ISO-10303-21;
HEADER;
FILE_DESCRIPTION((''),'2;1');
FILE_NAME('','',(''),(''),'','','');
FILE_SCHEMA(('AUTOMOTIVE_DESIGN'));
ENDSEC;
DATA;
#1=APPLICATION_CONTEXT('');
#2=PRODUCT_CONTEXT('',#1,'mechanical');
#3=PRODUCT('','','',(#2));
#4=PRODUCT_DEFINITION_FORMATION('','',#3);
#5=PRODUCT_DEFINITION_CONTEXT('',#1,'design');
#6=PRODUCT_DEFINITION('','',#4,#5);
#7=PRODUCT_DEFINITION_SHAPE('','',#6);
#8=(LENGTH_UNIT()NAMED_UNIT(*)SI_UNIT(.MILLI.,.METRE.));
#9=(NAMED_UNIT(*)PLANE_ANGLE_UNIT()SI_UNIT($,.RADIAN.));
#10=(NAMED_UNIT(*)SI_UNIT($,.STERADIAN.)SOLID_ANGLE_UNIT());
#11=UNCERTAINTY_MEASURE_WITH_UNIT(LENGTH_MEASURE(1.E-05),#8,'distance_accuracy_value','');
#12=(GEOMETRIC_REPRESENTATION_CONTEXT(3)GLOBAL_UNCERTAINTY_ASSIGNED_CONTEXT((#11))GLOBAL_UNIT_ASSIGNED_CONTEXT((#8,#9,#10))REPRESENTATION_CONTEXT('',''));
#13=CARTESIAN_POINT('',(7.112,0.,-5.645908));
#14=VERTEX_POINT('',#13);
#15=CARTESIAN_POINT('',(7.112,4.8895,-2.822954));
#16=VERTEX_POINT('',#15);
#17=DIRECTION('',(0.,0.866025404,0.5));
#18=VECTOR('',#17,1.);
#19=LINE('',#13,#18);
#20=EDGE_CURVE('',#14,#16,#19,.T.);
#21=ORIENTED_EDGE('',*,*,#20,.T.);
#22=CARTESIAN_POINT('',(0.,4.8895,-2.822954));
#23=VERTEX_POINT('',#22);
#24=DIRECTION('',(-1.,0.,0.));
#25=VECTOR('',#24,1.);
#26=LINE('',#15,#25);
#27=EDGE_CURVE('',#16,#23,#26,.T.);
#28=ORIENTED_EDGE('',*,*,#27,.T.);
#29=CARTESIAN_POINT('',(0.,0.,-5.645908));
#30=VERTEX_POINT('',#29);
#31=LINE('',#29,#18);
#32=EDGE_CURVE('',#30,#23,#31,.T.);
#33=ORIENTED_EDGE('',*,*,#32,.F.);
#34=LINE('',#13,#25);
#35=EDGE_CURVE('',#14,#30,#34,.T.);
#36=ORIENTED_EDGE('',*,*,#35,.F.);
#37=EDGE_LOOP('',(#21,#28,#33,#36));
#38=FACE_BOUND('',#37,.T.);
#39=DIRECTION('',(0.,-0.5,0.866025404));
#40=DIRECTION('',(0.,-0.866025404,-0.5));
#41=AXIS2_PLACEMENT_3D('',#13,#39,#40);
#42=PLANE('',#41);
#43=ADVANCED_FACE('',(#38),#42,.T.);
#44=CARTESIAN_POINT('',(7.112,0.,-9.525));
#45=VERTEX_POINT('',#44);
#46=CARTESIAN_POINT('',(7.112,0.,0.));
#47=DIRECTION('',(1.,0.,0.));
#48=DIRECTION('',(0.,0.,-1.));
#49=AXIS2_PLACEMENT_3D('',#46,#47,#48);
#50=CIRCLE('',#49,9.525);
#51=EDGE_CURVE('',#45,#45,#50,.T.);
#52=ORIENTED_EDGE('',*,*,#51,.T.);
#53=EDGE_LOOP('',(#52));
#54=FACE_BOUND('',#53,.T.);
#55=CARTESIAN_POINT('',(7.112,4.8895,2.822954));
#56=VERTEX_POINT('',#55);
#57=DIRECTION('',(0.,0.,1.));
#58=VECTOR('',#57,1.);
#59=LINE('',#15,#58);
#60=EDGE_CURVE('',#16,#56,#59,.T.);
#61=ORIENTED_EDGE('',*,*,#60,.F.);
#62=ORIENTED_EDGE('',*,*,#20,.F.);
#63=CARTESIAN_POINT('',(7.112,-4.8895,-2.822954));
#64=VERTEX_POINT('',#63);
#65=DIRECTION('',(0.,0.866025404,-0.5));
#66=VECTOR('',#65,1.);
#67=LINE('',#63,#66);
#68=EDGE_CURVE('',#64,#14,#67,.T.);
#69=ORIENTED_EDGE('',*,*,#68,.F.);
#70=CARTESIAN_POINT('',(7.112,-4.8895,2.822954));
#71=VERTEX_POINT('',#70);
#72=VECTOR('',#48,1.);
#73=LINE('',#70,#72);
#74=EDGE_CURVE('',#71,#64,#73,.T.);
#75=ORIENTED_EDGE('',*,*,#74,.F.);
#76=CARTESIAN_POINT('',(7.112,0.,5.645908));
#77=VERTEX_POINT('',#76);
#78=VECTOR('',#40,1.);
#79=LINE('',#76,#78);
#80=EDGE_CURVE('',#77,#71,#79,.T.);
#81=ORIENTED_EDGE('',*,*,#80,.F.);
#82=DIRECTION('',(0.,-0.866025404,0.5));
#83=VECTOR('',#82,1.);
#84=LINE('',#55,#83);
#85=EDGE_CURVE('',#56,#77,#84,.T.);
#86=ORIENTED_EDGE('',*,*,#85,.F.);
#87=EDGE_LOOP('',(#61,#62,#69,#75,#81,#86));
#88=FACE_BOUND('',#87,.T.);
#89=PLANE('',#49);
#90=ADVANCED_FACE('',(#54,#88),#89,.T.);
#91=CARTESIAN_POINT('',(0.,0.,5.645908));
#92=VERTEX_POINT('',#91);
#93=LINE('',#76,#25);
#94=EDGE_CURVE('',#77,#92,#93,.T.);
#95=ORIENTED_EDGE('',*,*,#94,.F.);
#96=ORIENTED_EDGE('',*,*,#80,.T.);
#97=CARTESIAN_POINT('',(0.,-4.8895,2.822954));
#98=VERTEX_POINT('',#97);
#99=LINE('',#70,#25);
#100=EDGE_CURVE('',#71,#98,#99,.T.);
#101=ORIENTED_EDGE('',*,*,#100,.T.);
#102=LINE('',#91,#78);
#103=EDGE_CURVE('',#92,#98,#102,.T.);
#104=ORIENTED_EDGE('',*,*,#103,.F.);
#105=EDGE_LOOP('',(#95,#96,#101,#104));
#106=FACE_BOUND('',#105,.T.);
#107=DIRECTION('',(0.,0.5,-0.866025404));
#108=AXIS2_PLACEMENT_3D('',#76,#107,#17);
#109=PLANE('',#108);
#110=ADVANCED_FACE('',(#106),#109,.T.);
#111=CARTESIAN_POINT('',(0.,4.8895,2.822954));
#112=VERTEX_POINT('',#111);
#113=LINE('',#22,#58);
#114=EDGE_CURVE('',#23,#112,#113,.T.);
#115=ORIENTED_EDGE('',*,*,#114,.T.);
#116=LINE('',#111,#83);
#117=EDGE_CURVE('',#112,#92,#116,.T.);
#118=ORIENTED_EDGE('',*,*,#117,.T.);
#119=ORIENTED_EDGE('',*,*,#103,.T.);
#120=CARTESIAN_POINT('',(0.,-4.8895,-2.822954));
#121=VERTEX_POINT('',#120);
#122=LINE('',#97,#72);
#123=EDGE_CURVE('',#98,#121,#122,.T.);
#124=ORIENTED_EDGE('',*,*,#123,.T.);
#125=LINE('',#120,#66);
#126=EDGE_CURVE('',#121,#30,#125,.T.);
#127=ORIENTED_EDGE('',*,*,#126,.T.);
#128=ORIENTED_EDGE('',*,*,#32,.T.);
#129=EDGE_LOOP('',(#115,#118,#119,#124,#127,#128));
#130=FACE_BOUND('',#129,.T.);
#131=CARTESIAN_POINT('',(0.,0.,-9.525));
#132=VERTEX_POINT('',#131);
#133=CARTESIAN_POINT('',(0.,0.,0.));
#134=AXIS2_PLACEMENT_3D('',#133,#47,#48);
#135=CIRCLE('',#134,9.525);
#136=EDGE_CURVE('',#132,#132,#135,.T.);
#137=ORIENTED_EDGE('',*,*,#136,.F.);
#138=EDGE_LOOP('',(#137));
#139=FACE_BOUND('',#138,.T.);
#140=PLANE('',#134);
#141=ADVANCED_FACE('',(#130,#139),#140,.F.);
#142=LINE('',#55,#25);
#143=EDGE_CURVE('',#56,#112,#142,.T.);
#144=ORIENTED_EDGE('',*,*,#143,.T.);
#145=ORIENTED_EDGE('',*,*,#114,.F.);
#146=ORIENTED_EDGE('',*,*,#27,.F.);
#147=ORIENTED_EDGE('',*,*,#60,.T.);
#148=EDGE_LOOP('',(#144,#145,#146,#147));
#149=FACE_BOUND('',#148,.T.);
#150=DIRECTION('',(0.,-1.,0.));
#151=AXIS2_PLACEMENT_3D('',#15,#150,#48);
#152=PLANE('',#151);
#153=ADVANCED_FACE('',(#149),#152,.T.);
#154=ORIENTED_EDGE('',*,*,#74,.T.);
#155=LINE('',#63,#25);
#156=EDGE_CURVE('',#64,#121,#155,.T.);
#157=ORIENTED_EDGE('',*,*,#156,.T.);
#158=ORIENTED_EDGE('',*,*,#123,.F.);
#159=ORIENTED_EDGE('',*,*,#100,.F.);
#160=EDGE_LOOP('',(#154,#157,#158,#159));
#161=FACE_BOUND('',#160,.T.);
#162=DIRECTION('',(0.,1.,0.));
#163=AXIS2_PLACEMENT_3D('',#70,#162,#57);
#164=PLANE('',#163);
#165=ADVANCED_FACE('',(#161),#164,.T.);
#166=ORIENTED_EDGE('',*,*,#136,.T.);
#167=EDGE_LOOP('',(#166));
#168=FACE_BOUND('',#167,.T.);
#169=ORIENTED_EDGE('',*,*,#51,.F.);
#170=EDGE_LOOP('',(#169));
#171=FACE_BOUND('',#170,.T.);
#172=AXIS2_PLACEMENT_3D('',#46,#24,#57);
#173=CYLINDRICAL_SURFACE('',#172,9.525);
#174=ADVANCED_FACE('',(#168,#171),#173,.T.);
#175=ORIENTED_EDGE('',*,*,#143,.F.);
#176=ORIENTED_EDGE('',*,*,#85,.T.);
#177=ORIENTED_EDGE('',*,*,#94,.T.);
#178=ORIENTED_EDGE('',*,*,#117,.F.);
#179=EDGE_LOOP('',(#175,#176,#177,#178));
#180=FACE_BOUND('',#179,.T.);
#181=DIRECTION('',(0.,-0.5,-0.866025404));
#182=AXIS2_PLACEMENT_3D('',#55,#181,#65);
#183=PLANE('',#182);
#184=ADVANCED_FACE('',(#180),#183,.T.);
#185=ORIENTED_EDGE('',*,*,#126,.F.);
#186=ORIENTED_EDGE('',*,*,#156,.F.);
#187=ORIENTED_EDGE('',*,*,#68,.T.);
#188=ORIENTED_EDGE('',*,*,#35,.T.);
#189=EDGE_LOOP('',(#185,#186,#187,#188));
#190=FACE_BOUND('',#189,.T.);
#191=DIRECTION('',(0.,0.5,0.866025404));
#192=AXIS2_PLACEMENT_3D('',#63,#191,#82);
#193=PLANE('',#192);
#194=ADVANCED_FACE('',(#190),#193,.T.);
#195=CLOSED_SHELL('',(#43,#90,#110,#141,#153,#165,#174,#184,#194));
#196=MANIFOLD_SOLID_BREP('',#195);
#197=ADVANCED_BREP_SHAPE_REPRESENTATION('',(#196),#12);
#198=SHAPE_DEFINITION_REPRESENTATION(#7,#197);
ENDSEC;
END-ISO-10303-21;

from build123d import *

# Parameters (mm, degrees)
SKETCH1_R           = 9.525
BOSS_EXTRUDE1_DEPTH = 7.112


with BuildPart() as part:
    # Sketch1 → Boss-Extrude1 (new body)
    with BuildSketch(Plane(origin=(0, 0, 0), x_dir=(0, 0, -1), z_dir=(1, 0, 0))):
        Circle(SKETCH1_R)
        Polygon((5.645908282, 0), (2.822954141, 4.8895), (-2.822954141, 4.8895), (-5.645908282, 0), (-2.822954141, -4.8895), (2.822954141, -4.8895), align=None, mode=Mode.SUBTRACT)
    extrude(amount=BOSS_EXTRUDE1_DEPTH)


solid = part.part
